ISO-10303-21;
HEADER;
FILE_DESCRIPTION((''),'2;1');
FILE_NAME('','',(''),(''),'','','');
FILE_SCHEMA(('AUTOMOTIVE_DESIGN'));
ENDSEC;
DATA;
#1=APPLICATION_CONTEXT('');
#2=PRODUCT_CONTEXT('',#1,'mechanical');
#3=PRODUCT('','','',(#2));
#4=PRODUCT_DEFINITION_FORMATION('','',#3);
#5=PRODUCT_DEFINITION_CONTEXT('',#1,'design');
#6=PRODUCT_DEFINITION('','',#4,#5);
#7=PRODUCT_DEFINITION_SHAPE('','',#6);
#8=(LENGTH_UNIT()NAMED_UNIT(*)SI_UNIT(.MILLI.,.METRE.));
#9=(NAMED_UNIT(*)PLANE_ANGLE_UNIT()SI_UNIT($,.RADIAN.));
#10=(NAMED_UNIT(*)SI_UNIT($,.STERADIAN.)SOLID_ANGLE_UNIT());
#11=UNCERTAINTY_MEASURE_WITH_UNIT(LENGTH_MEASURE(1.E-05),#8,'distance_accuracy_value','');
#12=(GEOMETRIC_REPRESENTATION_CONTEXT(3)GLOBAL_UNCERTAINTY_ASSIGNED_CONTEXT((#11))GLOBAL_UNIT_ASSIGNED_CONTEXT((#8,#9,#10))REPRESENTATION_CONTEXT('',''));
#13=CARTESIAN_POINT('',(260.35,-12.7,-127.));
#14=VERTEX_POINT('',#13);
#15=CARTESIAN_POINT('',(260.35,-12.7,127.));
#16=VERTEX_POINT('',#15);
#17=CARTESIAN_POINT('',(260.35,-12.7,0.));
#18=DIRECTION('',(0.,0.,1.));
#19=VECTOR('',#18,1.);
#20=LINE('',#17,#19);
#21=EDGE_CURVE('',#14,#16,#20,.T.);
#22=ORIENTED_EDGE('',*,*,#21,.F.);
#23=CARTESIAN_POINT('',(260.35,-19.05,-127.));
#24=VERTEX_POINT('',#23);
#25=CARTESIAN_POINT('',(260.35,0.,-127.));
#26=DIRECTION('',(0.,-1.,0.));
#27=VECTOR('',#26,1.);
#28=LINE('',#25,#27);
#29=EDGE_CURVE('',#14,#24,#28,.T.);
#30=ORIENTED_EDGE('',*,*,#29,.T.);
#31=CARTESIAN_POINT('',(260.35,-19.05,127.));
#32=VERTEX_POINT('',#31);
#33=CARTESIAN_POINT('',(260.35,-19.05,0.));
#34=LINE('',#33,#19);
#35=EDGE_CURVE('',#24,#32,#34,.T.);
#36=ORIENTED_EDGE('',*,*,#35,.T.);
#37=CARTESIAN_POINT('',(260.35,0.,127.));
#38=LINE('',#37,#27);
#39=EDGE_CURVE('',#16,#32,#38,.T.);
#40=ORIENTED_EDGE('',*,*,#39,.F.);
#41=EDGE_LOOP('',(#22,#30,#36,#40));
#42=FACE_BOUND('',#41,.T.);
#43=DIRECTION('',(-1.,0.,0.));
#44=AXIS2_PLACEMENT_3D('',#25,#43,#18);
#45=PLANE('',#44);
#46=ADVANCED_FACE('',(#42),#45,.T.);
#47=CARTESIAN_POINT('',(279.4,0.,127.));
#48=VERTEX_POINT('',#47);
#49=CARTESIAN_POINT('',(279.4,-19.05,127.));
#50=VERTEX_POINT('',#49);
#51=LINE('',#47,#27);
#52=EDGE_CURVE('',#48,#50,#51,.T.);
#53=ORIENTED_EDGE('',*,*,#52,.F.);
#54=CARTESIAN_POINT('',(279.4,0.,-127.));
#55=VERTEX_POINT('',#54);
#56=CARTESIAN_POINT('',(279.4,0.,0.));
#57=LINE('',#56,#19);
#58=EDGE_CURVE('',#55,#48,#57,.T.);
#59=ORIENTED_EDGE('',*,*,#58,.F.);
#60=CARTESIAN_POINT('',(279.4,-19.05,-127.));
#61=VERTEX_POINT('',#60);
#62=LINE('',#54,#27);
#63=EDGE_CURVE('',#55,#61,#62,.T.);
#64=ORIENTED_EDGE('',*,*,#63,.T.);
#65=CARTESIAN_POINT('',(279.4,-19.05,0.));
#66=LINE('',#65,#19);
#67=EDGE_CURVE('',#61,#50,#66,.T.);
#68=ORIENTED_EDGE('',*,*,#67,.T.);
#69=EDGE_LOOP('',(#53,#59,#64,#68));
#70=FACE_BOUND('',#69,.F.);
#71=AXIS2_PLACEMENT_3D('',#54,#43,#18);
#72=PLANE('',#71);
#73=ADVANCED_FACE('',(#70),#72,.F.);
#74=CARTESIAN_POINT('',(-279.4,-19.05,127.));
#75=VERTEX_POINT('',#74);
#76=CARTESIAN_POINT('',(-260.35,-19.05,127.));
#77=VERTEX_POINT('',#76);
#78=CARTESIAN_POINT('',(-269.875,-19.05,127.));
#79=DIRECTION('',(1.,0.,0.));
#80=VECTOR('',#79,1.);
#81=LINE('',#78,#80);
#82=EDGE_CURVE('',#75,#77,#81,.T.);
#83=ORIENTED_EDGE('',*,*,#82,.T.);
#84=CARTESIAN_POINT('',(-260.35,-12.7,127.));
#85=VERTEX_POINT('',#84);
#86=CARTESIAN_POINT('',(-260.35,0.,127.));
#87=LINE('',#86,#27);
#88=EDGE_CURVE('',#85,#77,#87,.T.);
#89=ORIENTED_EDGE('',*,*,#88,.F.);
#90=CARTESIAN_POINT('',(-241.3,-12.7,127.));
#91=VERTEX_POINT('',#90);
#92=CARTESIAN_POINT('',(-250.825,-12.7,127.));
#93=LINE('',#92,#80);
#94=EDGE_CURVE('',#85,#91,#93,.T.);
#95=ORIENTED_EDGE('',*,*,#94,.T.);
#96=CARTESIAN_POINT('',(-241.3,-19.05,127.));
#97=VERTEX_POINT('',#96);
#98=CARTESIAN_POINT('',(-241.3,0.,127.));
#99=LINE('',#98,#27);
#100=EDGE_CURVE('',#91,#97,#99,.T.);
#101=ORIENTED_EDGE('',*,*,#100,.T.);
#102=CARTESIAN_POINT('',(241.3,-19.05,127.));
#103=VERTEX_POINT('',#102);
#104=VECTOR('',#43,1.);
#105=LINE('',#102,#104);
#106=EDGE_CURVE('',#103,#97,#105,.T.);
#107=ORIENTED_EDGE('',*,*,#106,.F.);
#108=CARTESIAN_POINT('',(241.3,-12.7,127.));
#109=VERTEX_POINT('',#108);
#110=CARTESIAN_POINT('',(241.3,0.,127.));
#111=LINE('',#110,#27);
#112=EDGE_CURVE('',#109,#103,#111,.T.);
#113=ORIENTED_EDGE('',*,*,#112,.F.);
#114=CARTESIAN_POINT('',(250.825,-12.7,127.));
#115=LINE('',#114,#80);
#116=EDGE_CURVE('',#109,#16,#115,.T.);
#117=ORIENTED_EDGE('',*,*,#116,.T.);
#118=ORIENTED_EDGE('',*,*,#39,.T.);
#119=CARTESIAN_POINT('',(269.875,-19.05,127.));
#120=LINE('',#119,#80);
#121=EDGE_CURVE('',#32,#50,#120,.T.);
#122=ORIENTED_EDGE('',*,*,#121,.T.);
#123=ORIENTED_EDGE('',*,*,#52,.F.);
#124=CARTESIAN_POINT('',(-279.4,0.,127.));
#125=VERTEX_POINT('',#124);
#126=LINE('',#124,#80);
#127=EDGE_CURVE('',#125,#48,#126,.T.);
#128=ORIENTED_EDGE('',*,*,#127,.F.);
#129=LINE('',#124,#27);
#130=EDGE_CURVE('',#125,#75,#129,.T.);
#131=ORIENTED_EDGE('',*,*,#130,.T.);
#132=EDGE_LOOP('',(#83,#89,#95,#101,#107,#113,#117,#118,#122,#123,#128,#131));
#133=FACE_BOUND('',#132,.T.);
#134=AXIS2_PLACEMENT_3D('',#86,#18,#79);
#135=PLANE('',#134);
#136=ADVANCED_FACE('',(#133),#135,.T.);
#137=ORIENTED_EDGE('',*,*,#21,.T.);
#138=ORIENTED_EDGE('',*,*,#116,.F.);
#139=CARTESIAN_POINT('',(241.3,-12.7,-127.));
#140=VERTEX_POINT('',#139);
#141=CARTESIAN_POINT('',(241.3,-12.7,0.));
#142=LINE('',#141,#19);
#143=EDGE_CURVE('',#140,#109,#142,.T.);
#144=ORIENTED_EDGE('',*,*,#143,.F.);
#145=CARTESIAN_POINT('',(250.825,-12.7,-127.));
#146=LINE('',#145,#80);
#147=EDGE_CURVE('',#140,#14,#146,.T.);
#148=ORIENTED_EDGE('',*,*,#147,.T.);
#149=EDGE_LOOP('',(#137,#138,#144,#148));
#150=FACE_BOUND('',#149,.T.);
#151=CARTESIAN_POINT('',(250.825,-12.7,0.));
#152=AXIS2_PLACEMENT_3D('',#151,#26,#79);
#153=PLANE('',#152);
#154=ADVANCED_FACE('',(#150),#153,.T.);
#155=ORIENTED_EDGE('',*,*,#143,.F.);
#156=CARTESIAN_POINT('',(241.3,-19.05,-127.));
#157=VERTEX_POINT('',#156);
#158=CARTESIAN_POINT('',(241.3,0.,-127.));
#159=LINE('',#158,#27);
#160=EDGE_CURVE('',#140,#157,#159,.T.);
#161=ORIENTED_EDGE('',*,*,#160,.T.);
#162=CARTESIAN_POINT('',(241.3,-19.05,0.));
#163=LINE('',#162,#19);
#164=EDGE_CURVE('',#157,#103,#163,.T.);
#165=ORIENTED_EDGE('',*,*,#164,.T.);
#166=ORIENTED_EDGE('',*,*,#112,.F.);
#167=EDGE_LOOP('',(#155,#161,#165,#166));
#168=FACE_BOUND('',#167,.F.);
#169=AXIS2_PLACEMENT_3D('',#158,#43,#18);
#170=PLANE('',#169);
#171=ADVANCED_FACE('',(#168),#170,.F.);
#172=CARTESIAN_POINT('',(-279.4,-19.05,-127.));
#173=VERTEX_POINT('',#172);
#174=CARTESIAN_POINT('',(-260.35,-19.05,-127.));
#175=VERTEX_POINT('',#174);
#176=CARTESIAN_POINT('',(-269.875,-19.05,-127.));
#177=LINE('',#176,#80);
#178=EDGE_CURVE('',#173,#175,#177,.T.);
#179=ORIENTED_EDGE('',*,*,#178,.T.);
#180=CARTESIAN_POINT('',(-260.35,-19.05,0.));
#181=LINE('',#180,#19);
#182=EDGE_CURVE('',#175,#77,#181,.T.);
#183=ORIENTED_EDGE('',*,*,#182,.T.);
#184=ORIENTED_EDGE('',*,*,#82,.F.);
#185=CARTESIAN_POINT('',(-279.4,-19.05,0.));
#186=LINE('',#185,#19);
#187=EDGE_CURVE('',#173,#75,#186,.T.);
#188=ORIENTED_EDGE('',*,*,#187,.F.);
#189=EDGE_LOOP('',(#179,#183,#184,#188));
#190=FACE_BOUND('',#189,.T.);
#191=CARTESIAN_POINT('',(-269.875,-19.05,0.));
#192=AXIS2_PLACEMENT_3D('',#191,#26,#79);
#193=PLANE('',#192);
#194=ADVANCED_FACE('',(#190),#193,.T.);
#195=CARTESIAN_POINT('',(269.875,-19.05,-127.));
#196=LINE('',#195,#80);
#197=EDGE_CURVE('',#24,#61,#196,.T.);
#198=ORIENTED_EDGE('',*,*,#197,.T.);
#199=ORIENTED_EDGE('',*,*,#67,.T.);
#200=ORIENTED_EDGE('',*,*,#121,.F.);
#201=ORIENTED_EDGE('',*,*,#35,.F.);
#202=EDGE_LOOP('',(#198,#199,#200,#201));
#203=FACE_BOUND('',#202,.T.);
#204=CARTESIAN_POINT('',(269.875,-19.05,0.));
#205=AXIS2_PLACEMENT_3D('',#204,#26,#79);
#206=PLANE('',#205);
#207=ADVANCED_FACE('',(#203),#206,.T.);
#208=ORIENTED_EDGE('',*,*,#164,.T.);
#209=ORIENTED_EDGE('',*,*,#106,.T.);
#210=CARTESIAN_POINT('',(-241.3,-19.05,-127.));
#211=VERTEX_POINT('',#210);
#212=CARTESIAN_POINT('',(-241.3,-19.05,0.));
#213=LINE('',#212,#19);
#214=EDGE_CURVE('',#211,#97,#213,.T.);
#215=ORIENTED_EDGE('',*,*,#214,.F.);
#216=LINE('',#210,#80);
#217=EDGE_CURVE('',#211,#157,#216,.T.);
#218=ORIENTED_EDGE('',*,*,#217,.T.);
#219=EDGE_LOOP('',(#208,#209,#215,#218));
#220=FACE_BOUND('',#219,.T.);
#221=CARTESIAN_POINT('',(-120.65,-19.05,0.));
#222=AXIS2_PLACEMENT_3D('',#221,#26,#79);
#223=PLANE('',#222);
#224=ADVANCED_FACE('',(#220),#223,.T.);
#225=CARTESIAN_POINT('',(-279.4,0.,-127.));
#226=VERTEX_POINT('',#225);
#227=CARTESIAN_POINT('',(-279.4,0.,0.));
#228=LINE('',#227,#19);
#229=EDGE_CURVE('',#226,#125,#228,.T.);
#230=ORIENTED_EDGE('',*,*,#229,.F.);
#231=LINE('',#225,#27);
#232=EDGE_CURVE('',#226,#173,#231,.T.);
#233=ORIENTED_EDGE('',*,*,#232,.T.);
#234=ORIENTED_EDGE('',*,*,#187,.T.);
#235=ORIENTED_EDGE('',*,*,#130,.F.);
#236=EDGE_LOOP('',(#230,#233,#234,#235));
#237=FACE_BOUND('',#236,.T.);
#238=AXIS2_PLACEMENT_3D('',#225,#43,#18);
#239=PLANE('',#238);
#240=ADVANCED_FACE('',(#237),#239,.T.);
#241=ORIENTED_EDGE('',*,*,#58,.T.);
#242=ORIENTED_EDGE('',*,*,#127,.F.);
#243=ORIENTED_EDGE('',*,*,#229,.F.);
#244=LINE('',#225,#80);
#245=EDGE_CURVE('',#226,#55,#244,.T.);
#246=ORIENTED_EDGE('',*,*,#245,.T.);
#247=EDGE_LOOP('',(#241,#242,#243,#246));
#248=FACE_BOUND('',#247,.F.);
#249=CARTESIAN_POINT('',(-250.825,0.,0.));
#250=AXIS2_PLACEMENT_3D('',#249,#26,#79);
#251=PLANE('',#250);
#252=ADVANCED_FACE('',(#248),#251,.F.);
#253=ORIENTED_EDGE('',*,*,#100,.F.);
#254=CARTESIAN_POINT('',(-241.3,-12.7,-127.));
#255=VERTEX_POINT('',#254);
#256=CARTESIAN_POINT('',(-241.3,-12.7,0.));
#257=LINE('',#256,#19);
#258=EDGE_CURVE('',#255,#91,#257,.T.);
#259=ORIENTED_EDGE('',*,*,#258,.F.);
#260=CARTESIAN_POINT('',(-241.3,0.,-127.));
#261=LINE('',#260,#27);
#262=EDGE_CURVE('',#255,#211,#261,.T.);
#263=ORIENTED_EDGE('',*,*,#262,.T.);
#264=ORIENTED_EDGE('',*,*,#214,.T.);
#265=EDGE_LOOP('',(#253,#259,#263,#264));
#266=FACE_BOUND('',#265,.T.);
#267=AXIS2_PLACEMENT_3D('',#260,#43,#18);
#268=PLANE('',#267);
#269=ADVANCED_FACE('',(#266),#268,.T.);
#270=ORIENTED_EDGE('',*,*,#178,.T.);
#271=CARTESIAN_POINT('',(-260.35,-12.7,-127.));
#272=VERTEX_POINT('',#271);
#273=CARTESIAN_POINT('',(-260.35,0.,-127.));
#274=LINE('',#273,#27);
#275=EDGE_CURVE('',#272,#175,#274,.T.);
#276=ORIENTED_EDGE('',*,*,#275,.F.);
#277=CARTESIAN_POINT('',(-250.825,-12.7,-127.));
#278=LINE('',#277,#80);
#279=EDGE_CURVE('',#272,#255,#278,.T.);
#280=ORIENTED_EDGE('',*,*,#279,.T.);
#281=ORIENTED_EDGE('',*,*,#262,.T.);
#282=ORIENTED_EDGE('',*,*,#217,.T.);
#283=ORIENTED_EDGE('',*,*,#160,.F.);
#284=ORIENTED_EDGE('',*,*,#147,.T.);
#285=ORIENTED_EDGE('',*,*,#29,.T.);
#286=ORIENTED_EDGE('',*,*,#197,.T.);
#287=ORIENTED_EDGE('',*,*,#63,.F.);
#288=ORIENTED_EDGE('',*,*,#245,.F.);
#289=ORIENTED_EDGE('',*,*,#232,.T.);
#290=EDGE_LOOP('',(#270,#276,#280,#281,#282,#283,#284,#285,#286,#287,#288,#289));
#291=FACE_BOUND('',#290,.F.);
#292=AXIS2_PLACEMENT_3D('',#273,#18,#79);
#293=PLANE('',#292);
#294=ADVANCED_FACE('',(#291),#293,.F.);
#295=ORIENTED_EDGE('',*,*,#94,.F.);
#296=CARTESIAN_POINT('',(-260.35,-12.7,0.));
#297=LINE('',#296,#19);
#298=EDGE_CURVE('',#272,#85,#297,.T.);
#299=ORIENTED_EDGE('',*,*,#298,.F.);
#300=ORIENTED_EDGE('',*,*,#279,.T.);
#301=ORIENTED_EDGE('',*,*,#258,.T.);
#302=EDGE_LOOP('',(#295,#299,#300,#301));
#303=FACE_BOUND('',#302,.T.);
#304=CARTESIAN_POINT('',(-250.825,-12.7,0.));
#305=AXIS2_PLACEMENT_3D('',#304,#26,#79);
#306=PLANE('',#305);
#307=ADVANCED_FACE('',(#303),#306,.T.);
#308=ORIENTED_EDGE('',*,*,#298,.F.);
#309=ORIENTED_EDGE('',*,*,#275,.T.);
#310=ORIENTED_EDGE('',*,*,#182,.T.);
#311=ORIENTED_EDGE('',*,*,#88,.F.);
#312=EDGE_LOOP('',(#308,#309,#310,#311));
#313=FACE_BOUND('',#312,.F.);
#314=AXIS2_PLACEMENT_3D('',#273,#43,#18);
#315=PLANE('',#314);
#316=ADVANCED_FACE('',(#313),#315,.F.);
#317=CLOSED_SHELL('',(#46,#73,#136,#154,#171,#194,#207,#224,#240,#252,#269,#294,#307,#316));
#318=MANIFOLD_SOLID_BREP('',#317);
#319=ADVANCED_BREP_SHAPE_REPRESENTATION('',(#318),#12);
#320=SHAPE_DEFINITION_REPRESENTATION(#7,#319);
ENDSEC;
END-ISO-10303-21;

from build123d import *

# Parameters (mm, degrees)
F0_W     = 19.05
F0_H     = 254
F1_DEPTH = 19.05
F0_W_2   = 241.3
F2_DEPTH = 12.7


with BuildPart() as f1:
    # F0 (on Front) → F1 (new body)
    with BuildSketch(Plane.XZ):
        with Locations((-269.875, 0)):
            Rectangle(F0_W, F0_H)
    extrude(amount=F1_DEPTH)



with BuildPart() as f1b:
    # F0 (on Front) → F1, piece 2 (new body)
    with BuildSketch(Plane.XZ):
        with Locations((-120.65, 0)):
            Rectangle(F0_W_2, F0_H)
        with Locations((120.65, 0)):
            Rectangle(F0_W_2, F0_H)
    extrude(amount=F1_DEPTH)


with BuildPart() as f1c:
    # F0 (on Front) → F1, piece 3 (new body)
    with BuildSketch(Plane.XZ):
        with Locations((269.875, 0)):
            Rectangle(F0_W, F0_H)
    extrude(amount=F1_DEPTH)


with BuildPart() as f1_1:
    add(f1.part)

    add(f1b.part)  # F2 merges F1b

    add(f1c.part)  # F2 merges F1c
    # F0 (on Front) → F2 (join)
    with BuildSketch(Plane.XZ):
        with Locations((-250.825, 0)):
            Rectangle(F0_W, F0_H)
        with Locations((250.825, 0)):
            Rectangle(F0_W, F0_H)
    extrude(amount=F2_DEPTH)


solid = f1_1.part
